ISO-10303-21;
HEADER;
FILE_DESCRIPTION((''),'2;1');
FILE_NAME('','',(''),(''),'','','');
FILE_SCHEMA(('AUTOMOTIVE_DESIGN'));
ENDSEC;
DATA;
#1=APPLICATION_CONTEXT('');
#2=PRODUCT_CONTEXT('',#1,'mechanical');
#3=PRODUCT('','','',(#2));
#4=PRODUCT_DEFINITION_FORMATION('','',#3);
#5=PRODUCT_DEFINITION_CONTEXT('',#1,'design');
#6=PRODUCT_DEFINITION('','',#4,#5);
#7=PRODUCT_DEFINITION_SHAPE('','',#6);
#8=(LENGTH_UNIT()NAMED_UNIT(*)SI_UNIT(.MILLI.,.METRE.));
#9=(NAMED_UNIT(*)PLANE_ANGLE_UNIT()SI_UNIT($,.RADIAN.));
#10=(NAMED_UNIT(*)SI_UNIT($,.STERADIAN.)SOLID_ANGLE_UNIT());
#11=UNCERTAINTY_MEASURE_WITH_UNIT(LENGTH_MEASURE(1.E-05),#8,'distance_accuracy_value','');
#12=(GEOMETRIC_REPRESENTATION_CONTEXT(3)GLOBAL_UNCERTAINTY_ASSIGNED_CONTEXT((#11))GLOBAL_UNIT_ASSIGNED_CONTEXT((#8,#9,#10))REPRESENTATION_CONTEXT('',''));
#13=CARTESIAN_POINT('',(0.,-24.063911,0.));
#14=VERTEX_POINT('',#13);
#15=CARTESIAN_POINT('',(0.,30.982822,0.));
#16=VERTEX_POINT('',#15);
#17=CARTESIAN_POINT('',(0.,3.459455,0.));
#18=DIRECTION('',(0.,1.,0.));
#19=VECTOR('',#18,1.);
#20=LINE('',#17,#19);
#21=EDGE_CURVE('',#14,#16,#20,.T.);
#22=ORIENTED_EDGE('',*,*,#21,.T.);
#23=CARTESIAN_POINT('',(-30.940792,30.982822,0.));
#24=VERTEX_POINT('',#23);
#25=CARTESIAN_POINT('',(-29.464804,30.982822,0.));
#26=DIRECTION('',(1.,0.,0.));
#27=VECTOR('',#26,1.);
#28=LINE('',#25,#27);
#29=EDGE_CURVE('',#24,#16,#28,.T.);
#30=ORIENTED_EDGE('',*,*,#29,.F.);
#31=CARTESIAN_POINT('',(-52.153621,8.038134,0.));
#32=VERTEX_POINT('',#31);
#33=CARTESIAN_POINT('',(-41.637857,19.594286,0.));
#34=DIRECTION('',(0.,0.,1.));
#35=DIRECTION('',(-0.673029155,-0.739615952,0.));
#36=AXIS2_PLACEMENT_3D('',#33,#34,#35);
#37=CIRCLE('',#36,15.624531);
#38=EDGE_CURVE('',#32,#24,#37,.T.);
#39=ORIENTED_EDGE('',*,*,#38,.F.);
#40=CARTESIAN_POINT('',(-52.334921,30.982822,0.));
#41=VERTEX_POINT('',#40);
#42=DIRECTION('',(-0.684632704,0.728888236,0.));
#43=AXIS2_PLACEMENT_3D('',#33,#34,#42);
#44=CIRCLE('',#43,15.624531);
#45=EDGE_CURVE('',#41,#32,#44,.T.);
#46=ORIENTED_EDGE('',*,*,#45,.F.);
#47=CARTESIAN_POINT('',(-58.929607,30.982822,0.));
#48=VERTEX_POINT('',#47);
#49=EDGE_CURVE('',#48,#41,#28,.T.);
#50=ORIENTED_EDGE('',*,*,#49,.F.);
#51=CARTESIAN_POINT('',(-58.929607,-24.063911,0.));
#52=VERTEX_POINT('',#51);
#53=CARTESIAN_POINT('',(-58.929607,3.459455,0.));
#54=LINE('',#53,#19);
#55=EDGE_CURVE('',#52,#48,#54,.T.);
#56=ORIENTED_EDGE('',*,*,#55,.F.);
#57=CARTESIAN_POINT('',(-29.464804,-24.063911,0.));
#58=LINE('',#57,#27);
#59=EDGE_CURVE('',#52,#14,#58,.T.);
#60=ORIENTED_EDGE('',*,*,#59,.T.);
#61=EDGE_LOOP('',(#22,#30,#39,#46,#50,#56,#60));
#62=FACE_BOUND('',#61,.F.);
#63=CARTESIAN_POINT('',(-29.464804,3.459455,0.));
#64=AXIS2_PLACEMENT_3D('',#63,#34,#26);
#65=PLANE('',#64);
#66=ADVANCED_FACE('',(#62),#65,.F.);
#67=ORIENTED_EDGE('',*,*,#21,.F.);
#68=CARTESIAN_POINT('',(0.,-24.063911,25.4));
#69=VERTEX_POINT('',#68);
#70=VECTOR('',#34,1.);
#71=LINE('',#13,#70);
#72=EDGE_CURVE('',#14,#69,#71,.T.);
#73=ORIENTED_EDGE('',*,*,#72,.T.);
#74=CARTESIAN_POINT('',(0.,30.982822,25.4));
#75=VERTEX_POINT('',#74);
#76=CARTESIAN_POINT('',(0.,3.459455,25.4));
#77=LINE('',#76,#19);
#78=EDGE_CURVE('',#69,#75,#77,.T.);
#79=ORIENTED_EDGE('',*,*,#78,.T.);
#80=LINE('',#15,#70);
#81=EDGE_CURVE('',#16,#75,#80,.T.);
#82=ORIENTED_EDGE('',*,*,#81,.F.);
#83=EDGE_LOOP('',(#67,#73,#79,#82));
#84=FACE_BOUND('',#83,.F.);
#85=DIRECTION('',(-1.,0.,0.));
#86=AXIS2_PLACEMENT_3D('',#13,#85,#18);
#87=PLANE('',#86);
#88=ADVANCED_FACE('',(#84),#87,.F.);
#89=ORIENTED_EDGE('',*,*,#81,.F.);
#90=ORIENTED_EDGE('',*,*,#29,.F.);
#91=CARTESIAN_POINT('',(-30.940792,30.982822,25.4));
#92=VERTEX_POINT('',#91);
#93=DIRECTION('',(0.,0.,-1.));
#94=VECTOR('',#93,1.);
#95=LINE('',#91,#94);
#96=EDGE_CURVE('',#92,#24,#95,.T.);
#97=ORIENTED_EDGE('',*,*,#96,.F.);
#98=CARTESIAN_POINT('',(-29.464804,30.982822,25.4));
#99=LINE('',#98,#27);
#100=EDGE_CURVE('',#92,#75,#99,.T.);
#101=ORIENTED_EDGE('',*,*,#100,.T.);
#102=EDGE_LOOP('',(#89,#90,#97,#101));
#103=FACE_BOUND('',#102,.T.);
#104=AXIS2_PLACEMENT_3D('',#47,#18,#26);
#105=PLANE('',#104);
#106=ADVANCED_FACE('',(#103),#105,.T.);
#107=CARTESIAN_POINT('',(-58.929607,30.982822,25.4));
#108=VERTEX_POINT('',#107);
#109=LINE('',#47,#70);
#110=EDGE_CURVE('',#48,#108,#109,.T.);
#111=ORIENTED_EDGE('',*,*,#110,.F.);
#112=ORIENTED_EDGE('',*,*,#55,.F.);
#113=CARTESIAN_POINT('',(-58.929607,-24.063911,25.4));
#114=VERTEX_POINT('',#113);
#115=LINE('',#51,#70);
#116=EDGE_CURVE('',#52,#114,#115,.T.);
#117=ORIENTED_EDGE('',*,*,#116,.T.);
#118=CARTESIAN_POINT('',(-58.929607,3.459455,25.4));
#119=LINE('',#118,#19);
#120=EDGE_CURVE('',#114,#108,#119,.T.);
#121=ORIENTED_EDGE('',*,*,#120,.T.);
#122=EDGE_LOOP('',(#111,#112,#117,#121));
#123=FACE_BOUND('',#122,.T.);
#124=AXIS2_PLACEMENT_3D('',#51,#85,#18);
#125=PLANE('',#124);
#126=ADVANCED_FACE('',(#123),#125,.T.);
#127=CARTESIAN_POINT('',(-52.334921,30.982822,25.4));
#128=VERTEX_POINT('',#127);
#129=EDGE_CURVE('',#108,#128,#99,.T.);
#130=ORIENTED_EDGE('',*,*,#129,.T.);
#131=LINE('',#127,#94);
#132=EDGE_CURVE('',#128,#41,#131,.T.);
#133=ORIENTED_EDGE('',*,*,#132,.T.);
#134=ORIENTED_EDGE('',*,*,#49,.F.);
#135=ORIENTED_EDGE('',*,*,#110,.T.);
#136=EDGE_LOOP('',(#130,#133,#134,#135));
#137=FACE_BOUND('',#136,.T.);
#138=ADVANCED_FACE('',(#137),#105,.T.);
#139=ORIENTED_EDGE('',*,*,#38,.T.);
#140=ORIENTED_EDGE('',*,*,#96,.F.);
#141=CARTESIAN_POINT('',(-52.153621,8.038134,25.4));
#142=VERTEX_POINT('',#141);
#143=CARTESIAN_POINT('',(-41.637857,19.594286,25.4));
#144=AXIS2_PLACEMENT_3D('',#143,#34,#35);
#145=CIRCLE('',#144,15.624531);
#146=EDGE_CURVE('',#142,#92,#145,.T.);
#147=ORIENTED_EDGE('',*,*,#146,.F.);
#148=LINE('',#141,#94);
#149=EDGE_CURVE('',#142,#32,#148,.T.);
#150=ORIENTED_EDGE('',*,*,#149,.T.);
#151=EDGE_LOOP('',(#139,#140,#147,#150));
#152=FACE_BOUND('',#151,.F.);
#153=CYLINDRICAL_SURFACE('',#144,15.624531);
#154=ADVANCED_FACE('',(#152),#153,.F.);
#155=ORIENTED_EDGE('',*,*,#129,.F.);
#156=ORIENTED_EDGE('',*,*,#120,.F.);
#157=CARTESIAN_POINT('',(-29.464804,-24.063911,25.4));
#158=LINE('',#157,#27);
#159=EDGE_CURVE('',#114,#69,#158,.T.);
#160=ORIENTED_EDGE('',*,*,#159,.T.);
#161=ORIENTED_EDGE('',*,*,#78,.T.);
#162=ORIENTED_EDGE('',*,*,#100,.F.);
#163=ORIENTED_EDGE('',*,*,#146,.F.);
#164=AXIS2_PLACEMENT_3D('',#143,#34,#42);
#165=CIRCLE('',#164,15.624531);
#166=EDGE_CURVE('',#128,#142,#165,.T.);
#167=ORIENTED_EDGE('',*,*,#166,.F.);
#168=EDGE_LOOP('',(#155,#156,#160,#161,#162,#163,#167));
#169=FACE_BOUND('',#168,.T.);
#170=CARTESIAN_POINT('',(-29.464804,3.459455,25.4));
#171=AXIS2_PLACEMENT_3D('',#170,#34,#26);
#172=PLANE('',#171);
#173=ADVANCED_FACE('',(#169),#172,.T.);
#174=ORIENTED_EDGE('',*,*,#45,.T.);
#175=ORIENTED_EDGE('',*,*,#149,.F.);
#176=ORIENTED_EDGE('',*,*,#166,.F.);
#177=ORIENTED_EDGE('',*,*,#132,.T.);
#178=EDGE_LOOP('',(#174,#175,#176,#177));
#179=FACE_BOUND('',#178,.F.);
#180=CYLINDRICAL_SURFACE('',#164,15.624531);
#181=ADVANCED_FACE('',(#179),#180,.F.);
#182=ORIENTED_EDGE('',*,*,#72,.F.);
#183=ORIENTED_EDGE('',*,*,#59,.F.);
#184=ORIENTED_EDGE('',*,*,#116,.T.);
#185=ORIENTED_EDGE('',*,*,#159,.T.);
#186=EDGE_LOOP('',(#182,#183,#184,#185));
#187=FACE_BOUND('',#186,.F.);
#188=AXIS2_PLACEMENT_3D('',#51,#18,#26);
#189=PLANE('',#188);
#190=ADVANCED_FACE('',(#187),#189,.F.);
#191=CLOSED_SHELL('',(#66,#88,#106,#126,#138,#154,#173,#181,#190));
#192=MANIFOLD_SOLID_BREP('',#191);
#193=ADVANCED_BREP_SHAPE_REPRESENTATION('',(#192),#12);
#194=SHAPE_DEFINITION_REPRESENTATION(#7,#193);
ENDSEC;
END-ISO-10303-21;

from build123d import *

# Parameters (mm, degrees)
F0_W     = 58.9296072721
F0_H     = 55.0467334688
F1_DEPTH = 25.4
F3_DEPTH = 34.68607


with BuildPart() as f1:
    # F0 (on Top) → F1 (new body)
    with BuildSketch(Plane.XY):
        with Locations((-29.4648036361, 3.4594554454)):
            Rectangle(F0_W, F0_H)
    extrude(amount=F1_DEPTH)

    # F2 (on face) → F3 (cut)
    with BuildSketch(Plane.XY.offset(25.4)):
        with BuildLine():
            ThreePointArc((-52.1536211312, 8.0381335624), (-35.3203383975, 5.3039070161), (-26.0133259195, 19.5942856371))
            ThreePointArc((-26.0133259195, 19.5942856371), (-27.29800697, 25.7986930506), (-30.9407918835, 30.9828221798))
            Line((-30.9407918835, 30.9828221798), (-34.4491236613, 30.9828221798))
            ThreePointArc((-34.4491236613, 30.9828221798), (-44.147413461, 20.163297011), (-52.1536211312, 8.0381335624))
        make_face()
        with BuildLine():
            ThreePointArc((-52.334921143, 30.9828221798), (-57.2618993675, 19.470830523), (-52.1536211312, 8.0381335624))
            ThreePointArc((-52.1536211312, 8.0381335624), (-44.147413461, 20.163297011), (-34.4491236613, 30.9828221798))
            Line((-34.4491236613, 30.9828221798), (-52.334921143, 30.9828221798))
        make_face()
        with BuildLine():
            ThreePointArc((-34.4491236613, 30.9828221798), (-33.6460547954, 31.7472714752), (-32.834456283, 32.5026589143))
            ThreePointArc((-32.834456283, 32.5026589143), (-42.8519269969, 35.1715764522), (-52.334921143, 30.9828221798))
            Line((-52.334921143, 30.9828221798), (-34.4491236613, 30.9828221798))
        make_face()
    extrude(amount=-F3_DEPTH, mode=Mode.SUBTRACT)


solid = f1.part
